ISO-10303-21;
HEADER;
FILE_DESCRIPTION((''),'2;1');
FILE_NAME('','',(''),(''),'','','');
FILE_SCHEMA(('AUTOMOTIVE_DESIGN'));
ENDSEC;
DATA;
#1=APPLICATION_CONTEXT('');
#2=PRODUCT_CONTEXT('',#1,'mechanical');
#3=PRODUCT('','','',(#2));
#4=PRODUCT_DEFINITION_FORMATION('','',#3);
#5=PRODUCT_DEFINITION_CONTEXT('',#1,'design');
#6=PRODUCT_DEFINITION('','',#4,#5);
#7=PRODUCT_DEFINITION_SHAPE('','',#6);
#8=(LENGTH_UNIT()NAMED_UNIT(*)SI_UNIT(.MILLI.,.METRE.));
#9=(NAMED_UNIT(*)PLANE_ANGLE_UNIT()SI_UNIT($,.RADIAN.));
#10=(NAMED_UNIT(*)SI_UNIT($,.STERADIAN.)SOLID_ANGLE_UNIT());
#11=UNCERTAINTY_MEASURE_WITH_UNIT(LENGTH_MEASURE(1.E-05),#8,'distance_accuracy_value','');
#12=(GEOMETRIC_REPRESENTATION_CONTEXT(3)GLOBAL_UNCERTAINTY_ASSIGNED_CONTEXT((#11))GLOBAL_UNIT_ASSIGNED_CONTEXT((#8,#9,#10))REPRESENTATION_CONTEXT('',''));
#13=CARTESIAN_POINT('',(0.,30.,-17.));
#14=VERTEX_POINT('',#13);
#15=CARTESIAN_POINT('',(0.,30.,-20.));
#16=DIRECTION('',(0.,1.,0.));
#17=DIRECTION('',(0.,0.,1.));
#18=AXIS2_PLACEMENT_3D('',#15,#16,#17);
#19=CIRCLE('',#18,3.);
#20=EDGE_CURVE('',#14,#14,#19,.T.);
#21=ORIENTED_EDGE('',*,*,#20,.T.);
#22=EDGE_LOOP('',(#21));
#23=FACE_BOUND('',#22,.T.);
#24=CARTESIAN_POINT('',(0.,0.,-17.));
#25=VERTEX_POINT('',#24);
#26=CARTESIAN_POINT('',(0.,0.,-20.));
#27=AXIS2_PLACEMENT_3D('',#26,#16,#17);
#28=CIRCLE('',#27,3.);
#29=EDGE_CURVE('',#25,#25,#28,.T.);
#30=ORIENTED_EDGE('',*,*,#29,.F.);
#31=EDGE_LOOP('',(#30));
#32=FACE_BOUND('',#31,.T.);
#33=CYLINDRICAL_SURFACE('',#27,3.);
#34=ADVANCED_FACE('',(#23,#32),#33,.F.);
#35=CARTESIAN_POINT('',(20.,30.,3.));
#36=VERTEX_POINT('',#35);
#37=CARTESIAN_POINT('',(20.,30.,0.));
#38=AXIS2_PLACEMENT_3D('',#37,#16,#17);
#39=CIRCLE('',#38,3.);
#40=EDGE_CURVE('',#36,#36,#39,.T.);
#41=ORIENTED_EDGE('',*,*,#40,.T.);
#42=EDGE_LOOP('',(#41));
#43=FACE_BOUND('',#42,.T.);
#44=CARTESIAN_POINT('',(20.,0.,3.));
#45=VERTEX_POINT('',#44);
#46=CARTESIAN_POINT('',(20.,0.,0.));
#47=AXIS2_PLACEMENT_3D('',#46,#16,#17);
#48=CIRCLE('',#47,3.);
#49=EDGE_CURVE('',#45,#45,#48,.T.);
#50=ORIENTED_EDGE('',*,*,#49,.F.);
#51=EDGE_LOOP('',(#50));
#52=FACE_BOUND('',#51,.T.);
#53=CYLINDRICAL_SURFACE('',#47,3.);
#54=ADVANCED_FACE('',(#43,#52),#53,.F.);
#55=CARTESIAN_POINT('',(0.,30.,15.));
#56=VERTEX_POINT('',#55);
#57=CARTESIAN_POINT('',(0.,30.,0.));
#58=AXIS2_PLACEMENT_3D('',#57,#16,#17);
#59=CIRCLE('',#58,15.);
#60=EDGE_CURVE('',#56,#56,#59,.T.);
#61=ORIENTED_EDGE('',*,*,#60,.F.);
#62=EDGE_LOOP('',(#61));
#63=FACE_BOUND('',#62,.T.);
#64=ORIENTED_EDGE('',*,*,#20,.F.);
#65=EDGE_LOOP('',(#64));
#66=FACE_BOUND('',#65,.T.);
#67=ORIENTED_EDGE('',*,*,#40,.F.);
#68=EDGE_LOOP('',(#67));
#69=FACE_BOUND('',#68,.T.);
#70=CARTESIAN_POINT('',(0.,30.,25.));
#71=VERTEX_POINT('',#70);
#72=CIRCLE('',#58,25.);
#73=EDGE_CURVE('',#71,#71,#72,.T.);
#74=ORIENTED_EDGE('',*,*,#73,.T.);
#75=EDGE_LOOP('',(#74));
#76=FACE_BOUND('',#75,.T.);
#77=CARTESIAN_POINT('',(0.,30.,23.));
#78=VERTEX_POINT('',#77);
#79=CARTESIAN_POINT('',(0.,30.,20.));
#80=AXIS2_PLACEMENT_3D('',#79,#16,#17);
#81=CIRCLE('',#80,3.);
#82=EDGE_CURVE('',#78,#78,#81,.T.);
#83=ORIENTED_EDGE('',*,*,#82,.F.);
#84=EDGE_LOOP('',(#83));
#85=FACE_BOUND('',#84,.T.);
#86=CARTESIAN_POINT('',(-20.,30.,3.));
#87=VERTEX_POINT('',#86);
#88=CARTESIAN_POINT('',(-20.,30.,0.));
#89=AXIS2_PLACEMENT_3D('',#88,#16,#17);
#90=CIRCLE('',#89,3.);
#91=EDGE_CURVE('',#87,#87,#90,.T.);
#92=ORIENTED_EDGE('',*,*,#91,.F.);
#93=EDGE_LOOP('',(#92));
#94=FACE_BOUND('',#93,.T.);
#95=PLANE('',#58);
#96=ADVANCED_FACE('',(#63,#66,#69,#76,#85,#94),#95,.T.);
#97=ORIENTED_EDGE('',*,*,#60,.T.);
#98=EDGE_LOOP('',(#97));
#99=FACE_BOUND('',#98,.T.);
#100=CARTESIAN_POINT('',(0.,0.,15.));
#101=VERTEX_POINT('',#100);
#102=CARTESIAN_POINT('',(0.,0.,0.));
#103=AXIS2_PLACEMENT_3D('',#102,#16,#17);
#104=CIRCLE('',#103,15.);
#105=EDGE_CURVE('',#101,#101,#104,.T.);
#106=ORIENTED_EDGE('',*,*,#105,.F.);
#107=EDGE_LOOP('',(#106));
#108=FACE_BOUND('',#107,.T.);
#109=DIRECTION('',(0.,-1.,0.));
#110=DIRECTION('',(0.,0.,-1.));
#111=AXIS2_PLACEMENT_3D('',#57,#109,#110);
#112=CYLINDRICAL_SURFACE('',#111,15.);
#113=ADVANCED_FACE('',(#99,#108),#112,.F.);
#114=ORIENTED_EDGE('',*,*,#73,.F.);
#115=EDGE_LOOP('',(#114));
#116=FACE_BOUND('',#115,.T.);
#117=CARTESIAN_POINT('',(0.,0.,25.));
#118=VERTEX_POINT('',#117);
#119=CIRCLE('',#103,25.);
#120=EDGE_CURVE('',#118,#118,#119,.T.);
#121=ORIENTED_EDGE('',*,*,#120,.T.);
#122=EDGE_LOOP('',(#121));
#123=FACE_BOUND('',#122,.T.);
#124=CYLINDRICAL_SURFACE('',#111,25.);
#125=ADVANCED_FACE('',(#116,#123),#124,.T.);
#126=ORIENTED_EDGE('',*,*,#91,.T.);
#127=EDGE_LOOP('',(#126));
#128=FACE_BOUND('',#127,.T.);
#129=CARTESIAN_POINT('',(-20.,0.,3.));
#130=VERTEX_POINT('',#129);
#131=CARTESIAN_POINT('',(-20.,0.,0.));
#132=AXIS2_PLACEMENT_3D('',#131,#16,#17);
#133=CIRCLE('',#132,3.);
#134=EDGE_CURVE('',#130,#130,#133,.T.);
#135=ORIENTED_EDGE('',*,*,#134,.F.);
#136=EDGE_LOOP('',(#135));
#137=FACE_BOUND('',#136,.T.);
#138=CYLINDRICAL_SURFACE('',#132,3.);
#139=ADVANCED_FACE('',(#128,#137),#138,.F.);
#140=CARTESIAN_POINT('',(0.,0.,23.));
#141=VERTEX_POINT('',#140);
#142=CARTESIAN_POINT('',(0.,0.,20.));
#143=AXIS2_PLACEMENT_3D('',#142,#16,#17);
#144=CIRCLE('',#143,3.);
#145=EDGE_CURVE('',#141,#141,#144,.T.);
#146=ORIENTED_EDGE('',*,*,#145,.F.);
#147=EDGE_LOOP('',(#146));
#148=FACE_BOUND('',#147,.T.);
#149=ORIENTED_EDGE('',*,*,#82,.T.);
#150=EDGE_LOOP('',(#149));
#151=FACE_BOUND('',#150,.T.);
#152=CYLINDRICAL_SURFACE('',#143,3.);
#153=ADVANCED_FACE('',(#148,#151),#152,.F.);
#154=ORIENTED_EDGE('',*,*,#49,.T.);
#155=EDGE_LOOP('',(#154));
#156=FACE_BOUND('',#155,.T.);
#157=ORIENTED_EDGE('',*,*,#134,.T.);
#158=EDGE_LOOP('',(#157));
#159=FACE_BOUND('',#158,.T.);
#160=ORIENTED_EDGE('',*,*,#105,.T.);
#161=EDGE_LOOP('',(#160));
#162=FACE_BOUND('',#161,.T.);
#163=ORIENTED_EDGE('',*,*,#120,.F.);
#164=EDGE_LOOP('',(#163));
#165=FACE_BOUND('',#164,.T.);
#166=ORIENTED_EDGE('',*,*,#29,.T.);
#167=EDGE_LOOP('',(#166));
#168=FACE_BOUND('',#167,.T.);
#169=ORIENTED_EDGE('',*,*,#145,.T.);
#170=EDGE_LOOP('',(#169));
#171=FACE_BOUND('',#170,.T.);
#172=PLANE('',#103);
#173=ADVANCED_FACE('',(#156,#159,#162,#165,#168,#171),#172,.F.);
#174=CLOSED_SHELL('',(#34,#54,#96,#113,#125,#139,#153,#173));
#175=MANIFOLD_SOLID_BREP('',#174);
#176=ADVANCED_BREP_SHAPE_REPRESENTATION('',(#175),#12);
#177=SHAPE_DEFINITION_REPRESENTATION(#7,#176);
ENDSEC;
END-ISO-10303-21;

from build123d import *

# Parameters (mm, degrees)
SKETCH1_R           = 25
SKETCH1_R_2         = 15
BOSS_EXTRUDE1_DEPTH = 30
SKETCH2_R           = 3
CUT_EXTRUDE1_DEPTH  = 30


with BuildPart() as part:
    # Sketch1 → Boss-Extrude1 (new body)
    with BuildSketch(Plane(origin=(0, 0, 0), x_dir=(1, 0, 0), z_dir=(0, 1, 0))):
        with Locations(Location((0, 0, 0), (0, 0, 270))):
            Circle(SKETCH1_R)
        with Locations(Location((0, 0, 0), (0, 0, 270))):
            Circle(SKETCH1_R_2, mode=Mode.SUBTRACT)
    extrude(amount=BOSS_EXTRUDE1_DEPTH)

    # Sketch2 → Cut-Extrude1 (cut)
    with BuildSketch(Plane(origin=(0, 30, 0), x_dir=(1, 0, 0), z_dir=(0, 1, 0))):
        with Locations(Location((0, 20, 0), (0, 0, 270))):
            Circle(SKETCH2_R)
        with Locations(Location((20, 0, 0), (0, 0, 270))):
            Circle(SKETCH2_R)
        with Locations(Location((0, -20, 0), (0, 0, 270))):
            Circle(SKETCH2_R)
        with Locations(Location((-20, 0, 0), (0, 0, 270))):
            Circle(SKETCH2_R)
    extrude(amount=-CUT_EXTRUDE1_DEPTH, mode=Mode.SUBTRACT)


solid = part.part
